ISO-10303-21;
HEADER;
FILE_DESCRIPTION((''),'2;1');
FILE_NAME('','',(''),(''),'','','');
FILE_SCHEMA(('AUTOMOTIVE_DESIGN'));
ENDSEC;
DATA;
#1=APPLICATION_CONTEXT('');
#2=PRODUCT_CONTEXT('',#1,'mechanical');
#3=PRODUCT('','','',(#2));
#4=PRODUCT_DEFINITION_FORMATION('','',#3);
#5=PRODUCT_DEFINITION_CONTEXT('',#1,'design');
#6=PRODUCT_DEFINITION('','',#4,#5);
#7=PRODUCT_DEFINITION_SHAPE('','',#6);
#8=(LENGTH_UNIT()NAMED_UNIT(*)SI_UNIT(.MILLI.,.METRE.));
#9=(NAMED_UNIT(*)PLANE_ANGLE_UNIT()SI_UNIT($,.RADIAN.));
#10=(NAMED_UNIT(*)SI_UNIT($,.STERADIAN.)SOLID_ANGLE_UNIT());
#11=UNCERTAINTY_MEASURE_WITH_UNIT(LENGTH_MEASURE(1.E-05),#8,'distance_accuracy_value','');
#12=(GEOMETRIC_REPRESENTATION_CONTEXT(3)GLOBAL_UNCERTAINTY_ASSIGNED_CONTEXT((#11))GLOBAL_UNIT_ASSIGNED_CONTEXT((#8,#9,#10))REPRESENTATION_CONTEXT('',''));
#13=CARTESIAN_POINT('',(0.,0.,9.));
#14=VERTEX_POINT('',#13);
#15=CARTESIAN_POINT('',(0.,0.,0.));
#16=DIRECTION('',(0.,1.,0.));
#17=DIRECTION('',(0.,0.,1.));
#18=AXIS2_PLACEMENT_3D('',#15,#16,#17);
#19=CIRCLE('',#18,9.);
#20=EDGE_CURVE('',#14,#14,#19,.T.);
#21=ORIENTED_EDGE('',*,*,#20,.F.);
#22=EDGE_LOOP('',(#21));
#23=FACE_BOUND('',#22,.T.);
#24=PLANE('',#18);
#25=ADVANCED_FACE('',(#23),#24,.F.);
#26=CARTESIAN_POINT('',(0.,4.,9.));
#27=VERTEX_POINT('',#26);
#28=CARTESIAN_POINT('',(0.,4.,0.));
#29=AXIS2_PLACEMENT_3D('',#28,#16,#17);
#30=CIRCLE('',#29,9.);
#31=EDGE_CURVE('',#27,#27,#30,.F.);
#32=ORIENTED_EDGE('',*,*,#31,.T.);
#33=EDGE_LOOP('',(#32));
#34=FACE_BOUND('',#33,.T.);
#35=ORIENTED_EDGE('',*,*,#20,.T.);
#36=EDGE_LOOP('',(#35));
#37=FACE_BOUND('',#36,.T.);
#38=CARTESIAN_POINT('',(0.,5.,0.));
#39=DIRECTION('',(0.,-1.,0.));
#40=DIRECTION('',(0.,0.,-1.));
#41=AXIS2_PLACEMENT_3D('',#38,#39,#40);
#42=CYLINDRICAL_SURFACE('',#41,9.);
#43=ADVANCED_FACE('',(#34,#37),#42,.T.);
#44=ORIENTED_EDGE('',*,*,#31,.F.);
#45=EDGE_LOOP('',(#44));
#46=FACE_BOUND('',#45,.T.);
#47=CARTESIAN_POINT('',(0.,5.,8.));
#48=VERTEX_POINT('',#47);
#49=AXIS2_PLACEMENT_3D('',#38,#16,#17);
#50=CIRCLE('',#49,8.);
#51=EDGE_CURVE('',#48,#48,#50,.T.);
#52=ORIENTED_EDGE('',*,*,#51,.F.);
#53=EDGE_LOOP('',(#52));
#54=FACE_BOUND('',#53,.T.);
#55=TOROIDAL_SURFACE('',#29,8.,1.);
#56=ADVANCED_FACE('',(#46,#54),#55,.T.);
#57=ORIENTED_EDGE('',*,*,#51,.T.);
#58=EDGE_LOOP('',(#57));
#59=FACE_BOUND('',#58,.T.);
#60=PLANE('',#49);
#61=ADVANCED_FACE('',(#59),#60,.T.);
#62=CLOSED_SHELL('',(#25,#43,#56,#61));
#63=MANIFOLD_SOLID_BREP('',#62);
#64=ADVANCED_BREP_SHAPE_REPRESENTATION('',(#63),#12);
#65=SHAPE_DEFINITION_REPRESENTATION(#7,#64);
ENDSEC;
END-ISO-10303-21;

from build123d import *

# Parameters (mm, degrees)
ESQUISSE1_R        = 9
BOSS_EXTRU_1_DEPTH = 5
CONG_1_R           = 1


with BuildPart() as part:
    # Esquisse1 → Boss.-Extru.1 (new body)
    with BuildSketch(Plane(origin=(0, 0, 0), x_dir=(1, 0, 0), z_dir=(0, 1, 0))):
        Circle(ESQUISSE1_R)
    extrude(amount=BOSS_EXTRU_1_DEPTH)

    # Congé1
    cong_1_edges = [part.edges().sort_by_distance(p)[0] for p in [
        (-9, 5, 0),
    ]]
    fillet(cong_1_edges, radius=CONG_1_R)


solid = part.part
